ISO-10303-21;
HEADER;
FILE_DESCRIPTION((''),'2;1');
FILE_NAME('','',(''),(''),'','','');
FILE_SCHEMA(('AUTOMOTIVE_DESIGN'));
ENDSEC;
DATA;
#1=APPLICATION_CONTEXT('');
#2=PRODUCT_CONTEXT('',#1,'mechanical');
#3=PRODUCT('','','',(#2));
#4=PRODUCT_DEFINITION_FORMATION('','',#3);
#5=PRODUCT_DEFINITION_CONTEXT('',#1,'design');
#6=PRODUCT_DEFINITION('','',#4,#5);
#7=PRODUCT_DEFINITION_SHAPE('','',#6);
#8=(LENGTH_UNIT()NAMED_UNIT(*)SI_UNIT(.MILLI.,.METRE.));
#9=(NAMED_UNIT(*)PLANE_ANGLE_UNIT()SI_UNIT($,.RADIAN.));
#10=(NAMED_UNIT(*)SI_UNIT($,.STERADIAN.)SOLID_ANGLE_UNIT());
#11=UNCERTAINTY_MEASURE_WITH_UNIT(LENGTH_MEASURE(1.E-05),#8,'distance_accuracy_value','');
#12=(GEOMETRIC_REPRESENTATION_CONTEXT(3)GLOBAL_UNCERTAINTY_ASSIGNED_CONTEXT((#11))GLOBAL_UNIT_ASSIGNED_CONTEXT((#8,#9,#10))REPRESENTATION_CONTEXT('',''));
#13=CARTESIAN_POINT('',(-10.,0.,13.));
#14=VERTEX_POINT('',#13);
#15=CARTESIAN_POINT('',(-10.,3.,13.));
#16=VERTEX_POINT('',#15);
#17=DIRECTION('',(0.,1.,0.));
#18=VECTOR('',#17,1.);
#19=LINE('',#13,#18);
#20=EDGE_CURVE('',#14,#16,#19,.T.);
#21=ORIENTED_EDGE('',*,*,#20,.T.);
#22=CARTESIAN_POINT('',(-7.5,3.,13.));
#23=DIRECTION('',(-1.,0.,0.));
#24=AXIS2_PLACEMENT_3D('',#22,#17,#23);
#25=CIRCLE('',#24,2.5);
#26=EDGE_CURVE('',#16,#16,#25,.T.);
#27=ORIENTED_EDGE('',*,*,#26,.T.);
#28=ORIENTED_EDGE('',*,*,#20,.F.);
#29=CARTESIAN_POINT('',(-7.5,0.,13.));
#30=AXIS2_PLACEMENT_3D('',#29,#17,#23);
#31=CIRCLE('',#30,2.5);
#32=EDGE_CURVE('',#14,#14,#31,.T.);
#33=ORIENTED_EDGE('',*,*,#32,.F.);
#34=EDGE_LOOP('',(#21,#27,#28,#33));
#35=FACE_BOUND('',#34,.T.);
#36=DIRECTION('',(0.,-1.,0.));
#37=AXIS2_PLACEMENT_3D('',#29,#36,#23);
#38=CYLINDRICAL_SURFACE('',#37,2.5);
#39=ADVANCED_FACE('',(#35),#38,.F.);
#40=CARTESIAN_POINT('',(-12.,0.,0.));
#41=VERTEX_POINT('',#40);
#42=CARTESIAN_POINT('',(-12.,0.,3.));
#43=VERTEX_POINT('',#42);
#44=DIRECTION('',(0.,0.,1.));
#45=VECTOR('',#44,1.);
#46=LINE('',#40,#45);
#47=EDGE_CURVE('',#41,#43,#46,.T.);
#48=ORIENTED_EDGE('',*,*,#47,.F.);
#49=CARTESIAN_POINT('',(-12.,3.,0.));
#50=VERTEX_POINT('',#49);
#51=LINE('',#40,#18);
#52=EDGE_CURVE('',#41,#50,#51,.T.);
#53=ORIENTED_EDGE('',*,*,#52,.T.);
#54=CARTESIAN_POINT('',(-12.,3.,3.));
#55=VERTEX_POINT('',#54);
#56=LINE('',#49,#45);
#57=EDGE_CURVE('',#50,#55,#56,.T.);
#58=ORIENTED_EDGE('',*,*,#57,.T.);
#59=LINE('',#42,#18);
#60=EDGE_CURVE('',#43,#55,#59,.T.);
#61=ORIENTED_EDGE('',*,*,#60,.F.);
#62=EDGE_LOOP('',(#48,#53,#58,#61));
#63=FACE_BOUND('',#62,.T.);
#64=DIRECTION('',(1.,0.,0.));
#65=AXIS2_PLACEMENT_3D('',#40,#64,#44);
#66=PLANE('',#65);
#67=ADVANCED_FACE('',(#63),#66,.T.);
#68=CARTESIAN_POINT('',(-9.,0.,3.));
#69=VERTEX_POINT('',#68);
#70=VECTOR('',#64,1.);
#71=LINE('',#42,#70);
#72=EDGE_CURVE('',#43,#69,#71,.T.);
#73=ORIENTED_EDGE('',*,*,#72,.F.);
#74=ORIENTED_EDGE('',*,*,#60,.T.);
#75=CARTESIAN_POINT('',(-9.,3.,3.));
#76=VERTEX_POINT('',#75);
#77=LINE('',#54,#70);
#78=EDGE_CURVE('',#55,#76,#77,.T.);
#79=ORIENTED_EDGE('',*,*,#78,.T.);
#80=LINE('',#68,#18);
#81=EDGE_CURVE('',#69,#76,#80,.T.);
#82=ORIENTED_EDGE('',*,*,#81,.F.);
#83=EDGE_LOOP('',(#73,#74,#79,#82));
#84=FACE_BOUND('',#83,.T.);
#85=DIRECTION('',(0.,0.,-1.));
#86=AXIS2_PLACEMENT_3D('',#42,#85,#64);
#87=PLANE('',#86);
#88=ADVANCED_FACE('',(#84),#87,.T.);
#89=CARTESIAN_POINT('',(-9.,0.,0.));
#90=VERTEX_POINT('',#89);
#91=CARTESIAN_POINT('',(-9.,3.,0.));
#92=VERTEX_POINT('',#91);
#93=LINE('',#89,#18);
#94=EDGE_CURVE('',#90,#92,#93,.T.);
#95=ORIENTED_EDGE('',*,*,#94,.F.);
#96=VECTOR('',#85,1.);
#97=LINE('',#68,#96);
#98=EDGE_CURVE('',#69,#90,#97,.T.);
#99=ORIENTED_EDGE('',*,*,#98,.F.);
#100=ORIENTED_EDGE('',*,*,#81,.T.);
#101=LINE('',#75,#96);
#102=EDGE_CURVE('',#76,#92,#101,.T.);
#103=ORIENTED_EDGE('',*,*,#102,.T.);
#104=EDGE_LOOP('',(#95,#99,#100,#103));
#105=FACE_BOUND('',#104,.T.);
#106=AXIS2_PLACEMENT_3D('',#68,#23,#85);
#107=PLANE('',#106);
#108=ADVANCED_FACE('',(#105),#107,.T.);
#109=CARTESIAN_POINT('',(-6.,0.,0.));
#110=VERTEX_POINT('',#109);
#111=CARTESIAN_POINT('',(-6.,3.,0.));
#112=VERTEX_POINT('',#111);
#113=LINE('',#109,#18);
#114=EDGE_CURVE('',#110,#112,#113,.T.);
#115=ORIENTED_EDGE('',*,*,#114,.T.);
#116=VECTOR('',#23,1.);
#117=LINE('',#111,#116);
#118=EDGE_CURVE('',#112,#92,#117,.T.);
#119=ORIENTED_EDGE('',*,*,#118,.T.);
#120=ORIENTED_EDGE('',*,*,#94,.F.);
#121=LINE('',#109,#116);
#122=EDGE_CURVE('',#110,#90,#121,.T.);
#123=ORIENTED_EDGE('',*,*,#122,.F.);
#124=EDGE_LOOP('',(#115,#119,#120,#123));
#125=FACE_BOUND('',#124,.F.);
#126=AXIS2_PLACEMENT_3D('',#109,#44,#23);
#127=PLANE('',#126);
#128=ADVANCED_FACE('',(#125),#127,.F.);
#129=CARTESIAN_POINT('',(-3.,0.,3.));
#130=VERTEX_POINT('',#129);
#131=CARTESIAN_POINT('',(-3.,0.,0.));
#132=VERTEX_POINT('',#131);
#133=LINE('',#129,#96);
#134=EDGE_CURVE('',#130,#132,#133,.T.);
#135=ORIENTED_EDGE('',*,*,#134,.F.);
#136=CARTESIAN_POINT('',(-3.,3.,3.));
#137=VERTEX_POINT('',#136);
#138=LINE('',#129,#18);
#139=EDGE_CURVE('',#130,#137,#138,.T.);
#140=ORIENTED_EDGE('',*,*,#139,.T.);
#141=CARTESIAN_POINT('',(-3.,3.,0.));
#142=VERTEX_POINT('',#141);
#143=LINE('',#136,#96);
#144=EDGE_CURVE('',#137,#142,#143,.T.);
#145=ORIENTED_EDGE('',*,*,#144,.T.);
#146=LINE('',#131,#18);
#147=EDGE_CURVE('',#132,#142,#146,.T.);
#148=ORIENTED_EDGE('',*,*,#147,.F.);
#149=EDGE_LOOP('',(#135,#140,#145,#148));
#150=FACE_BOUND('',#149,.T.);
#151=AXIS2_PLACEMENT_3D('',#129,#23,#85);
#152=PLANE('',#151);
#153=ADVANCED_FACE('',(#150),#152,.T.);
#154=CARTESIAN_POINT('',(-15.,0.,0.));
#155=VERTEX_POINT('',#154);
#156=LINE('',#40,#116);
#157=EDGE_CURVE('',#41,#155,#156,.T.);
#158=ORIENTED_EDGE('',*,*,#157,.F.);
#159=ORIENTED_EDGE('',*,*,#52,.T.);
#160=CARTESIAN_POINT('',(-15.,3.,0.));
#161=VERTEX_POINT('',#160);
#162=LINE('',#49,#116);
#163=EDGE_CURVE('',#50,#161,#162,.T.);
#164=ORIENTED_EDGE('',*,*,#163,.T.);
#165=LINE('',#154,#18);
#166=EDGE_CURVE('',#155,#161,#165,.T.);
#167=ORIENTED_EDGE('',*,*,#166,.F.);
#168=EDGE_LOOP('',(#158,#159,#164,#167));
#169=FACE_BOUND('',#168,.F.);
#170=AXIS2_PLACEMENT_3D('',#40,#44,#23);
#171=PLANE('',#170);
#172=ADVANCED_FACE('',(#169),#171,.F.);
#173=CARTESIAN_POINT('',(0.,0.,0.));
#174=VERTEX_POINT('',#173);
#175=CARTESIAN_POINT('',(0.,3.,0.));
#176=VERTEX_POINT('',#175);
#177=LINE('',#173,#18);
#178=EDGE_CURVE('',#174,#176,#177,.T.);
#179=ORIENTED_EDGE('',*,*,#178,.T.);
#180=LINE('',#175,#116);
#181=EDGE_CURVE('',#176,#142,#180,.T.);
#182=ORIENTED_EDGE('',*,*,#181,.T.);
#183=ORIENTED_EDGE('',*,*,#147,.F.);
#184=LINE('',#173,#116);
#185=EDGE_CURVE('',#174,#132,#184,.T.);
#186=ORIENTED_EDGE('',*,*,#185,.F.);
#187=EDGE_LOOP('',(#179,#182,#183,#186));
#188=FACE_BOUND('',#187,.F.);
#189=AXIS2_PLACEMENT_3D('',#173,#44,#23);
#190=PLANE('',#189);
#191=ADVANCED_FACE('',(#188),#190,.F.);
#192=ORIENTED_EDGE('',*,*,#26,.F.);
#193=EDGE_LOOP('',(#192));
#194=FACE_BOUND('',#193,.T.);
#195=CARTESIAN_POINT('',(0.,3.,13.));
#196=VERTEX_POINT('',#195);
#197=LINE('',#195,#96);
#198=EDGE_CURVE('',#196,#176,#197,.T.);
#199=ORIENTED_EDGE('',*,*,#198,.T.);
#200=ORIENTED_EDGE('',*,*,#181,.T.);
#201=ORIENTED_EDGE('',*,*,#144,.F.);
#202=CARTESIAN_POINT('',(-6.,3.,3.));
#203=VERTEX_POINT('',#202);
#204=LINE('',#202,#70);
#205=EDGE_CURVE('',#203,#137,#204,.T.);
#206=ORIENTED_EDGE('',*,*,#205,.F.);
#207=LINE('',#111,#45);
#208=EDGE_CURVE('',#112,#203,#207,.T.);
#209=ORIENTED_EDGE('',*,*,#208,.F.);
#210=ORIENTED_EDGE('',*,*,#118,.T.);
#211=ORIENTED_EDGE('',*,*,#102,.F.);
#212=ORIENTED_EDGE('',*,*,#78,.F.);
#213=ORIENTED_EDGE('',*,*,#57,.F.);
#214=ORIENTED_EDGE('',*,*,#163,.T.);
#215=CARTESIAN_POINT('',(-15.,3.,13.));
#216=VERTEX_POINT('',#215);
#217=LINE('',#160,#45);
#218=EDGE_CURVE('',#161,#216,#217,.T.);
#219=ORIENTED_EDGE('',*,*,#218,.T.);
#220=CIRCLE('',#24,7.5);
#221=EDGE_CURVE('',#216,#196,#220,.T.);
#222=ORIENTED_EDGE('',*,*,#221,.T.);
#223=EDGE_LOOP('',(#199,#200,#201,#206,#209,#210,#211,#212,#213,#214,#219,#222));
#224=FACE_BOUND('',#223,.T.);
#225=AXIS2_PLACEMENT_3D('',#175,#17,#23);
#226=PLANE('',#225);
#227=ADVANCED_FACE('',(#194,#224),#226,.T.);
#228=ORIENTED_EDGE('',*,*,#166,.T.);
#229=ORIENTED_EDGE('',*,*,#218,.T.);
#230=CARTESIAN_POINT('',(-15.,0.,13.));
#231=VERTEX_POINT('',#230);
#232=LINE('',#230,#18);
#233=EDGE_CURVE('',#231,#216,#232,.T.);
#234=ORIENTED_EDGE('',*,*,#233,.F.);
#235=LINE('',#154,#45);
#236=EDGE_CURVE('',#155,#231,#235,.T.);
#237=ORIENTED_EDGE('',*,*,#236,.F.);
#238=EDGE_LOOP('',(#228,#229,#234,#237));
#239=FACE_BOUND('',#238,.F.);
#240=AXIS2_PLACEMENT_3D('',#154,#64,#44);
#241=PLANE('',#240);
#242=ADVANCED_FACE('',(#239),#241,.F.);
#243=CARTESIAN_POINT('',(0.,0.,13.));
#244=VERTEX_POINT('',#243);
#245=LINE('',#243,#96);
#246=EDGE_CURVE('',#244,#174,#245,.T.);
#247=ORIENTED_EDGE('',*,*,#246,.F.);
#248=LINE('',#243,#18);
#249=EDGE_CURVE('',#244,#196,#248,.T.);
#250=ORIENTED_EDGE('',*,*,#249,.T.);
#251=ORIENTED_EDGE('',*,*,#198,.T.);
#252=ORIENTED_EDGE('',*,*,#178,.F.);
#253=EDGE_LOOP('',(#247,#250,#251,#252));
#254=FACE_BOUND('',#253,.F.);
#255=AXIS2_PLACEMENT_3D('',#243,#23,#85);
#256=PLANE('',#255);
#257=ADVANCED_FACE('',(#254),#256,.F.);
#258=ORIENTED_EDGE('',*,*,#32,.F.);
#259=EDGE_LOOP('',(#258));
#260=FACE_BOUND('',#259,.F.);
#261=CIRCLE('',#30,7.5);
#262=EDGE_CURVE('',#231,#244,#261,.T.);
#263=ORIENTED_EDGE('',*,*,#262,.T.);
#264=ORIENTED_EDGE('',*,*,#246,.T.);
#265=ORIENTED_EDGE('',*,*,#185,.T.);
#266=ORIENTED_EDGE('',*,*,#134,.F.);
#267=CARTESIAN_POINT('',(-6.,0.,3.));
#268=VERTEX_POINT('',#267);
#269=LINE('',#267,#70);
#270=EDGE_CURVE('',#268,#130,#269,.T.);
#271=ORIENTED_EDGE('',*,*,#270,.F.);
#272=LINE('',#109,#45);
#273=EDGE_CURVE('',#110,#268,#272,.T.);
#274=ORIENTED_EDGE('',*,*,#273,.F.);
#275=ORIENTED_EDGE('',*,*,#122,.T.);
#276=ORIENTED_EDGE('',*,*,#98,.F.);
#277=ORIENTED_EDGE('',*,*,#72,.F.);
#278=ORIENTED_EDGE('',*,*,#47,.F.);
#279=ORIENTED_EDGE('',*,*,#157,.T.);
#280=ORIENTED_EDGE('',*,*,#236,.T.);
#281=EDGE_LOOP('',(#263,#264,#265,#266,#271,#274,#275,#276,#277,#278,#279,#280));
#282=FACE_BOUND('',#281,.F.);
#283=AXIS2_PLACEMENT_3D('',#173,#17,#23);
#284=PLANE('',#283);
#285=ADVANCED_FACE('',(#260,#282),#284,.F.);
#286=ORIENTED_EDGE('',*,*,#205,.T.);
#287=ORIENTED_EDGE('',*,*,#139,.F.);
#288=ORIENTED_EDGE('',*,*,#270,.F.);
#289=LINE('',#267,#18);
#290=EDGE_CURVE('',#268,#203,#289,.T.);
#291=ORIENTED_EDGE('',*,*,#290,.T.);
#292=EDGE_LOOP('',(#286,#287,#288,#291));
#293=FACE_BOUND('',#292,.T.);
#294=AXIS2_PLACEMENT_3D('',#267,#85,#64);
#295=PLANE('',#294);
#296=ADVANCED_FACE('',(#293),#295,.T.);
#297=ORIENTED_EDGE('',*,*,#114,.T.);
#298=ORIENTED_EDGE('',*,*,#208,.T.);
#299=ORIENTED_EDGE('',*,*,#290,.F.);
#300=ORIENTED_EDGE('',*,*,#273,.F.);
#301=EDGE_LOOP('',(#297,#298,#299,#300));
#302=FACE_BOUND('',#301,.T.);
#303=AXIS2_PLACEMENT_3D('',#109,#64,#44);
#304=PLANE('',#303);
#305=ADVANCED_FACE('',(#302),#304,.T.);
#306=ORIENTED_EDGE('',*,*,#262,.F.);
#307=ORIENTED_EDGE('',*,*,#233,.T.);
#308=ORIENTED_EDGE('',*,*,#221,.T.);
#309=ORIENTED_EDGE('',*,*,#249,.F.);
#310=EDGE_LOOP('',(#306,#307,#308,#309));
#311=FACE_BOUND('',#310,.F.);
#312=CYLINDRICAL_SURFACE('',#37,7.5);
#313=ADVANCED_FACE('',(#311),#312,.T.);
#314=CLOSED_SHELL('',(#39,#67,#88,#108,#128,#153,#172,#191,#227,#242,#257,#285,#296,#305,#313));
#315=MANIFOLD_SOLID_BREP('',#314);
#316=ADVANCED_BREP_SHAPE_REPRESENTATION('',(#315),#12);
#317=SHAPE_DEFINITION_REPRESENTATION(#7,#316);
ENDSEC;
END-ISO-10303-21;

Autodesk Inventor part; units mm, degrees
ref_plane "YZ Plane" through (0, 0, 0) normal (1, 0, 0) x (0, 1, 0)
ref_plane "XZ Plane" through (0, 0, 0) normal (0, 1, 0) x (-1, 0, 0)
ref_plane "XY Plane" through (0, 0, 0) normal (0, 0, 1) x (1, 0, 0)
sketch "Sketch1" plane through (0, 0, 0) normal (0, 1, 0) x (-1, 0, 0)
  line L0 (15, 0) -> (15, 13)
  line L1 (0, 13) -> (0, 0)
  arc A0 (15, 13) -> (0, 13) centre (7.5, 13) ccw
  circle A1 centre (7.5, 13) radius 2.5
  line L2 (6, 0) -> (6, 3)
  line L3 (6, 3) -> (3, 3)
  line L4 (3, 3) -> (3, 0)
  line L5 (12, 0) -> (12, 3)
  line L6 (12, 3) -> (9, 3)
  line L7 (9, 3) -> (9, 0)
  line L8 (12, 0) -> (15, 0)
  line L9 (0, 0) -> (3, 0)
  line L10 (6, 0) -> (9, 0)
  dimension "d0" = 15
  dimension "d1" = 13
  dimension "d2" = 5
extrude "Extrusion1" add sketch "Sketch1" along normal blind 3
properties part number "Connector_3"
